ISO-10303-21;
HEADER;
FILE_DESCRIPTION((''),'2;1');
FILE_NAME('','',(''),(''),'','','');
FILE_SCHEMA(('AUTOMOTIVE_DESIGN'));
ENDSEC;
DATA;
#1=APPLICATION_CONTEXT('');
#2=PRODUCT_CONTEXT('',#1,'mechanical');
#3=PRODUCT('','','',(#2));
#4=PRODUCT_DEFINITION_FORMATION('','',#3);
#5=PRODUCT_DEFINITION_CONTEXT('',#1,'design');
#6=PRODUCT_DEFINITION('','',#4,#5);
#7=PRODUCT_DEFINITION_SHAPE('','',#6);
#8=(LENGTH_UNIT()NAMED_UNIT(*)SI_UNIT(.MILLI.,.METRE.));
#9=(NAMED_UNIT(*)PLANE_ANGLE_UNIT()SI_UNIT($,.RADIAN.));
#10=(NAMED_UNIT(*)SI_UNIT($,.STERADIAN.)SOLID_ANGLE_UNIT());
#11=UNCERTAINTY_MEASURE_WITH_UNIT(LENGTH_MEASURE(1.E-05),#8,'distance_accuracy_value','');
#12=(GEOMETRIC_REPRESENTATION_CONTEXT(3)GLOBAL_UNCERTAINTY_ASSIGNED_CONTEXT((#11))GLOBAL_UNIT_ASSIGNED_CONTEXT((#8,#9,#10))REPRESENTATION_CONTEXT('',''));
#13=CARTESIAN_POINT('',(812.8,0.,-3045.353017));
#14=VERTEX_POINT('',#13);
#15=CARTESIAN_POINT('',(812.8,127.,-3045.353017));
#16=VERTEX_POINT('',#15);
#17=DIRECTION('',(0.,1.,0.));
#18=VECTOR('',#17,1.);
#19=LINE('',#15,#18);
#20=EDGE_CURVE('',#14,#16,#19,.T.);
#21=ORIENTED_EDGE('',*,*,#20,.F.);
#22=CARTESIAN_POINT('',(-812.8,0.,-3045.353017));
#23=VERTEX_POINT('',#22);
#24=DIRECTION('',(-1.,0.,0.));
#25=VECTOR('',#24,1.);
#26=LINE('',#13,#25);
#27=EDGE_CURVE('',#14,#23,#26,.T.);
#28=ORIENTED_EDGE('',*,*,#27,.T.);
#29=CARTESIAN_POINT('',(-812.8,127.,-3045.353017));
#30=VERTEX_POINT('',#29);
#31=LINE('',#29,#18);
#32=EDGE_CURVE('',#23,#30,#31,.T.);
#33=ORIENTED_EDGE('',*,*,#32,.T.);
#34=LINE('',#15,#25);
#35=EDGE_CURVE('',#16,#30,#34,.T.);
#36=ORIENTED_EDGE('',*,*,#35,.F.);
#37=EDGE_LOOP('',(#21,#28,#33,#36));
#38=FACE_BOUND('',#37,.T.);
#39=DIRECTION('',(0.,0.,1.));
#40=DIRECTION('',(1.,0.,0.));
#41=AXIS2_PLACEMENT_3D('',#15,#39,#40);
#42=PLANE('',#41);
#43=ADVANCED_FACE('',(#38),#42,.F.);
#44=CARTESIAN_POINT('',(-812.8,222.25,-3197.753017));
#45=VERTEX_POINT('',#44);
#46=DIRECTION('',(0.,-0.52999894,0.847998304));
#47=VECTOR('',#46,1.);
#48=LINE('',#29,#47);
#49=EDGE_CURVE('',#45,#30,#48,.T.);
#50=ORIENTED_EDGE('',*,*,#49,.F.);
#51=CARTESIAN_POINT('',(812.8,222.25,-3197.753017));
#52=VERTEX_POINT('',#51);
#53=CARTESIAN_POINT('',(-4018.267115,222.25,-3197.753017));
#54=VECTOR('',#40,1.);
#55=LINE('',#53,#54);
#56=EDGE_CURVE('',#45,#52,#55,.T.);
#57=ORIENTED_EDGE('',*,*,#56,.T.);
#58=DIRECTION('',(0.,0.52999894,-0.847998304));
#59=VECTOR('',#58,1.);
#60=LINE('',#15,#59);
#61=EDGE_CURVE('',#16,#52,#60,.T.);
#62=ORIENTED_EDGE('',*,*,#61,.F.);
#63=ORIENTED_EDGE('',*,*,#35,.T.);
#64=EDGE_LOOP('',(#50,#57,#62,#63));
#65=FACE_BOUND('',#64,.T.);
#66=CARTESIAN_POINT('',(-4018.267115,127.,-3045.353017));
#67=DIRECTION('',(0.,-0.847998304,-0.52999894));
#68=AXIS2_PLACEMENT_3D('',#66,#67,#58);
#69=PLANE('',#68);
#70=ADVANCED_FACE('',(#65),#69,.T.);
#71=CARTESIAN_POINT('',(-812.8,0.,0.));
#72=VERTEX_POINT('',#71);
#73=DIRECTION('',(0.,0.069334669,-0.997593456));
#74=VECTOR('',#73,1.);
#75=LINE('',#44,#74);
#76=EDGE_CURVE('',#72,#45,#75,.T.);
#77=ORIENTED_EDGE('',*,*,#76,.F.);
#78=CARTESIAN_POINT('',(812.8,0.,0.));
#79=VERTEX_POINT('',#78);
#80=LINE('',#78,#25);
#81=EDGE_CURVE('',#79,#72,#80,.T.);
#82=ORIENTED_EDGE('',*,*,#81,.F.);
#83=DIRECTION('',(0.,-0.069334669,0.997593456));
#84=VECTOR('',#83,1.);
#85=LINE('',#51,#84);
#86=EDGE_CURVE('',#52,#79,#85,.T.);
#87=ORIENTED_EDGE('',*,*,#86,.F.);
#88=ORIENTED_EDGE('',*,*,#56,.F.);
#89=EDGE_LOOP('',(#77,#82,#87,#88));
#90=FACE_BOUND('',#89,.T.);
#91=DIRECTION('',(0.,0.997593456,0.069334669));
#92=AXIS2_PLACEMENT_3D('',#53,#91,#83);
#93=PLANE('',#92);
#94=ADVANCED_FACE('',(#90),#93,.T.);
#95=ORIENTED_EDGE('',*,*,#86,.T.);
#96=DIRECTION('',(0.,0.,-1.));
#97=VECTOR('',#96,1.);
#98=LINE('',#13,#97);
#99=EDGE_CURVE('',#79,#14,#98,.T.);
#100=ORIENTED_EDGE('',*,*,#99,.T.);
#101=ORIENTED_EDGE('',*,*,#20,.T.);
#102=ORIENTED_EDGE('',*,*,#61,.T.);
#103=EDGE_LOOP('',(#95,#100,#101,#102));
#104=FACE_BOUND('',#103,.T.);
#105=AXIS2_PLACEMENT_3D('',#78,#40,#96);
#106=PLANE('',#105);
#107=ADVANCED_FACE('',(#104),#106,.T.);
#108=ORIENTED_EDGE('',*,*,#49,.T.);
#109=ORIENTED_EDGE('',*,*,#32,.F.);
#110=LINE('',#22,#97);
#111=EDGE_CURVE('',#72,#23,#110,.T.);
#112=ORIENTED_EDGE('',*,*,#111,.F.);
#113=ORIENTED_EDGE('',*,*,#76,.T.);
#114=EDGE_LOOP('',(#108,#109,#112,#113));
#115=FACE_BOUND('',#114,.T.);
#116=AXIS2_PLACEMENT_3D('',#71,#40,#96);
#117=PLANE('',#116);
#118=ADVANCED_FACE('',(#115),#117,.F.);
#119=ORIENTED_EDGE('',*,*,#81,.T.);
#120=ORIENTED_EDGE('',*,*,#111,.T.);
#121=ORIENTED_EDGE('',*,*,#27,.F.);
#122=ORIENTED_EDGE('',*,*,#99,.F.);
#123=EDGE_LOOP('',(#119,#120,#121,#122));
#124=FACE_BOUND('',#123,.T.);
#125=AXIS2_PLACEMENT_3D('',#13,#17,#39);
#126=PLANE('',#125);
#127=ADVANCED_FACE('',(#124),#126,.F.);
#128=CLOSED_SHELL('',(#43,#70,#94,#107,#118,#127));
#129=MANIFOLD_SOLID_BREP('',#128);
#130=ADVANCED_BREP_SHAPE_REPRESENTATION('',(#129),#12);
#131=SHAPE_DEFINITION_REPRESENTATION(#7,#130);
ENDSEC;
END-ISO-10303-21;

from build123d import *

# Parameters (mm, degrees)
BOSS_EXTRUDE1_DEPTH = 812.8
BOSS_EXTRUDE2_DEPTH = 1625.6


with BuildPart() as part:
    # Sketch1 → Boss-Extrude1 (new, symmetric)
    with BuildSketch(Plane(origin=(0, 0, 0), x_dir=(0, 0, -1), z_dir=(1, 0, 0))):
        Polygon((0, 0), (3045.353017304, 127), (3045.353017304, 0), align=None)
    extrude(amount=BOSS_EXTRUDE1_DEPTH, both=True)

    # Sketch2 → Boss-Extrude2 (add)
    with BuildSketch(Plane(origin=(812.8, 0, 0), x_dir=(0, 0, -1), z_dir=(1, 0, 0))):
        Polygon((3045.353017304, 127), (3197.753017304, 222.25), (0, 0), align=None)
    extrude(amount=-BOSS_EXTRUDE2_DEPTH)


solid = part.part
